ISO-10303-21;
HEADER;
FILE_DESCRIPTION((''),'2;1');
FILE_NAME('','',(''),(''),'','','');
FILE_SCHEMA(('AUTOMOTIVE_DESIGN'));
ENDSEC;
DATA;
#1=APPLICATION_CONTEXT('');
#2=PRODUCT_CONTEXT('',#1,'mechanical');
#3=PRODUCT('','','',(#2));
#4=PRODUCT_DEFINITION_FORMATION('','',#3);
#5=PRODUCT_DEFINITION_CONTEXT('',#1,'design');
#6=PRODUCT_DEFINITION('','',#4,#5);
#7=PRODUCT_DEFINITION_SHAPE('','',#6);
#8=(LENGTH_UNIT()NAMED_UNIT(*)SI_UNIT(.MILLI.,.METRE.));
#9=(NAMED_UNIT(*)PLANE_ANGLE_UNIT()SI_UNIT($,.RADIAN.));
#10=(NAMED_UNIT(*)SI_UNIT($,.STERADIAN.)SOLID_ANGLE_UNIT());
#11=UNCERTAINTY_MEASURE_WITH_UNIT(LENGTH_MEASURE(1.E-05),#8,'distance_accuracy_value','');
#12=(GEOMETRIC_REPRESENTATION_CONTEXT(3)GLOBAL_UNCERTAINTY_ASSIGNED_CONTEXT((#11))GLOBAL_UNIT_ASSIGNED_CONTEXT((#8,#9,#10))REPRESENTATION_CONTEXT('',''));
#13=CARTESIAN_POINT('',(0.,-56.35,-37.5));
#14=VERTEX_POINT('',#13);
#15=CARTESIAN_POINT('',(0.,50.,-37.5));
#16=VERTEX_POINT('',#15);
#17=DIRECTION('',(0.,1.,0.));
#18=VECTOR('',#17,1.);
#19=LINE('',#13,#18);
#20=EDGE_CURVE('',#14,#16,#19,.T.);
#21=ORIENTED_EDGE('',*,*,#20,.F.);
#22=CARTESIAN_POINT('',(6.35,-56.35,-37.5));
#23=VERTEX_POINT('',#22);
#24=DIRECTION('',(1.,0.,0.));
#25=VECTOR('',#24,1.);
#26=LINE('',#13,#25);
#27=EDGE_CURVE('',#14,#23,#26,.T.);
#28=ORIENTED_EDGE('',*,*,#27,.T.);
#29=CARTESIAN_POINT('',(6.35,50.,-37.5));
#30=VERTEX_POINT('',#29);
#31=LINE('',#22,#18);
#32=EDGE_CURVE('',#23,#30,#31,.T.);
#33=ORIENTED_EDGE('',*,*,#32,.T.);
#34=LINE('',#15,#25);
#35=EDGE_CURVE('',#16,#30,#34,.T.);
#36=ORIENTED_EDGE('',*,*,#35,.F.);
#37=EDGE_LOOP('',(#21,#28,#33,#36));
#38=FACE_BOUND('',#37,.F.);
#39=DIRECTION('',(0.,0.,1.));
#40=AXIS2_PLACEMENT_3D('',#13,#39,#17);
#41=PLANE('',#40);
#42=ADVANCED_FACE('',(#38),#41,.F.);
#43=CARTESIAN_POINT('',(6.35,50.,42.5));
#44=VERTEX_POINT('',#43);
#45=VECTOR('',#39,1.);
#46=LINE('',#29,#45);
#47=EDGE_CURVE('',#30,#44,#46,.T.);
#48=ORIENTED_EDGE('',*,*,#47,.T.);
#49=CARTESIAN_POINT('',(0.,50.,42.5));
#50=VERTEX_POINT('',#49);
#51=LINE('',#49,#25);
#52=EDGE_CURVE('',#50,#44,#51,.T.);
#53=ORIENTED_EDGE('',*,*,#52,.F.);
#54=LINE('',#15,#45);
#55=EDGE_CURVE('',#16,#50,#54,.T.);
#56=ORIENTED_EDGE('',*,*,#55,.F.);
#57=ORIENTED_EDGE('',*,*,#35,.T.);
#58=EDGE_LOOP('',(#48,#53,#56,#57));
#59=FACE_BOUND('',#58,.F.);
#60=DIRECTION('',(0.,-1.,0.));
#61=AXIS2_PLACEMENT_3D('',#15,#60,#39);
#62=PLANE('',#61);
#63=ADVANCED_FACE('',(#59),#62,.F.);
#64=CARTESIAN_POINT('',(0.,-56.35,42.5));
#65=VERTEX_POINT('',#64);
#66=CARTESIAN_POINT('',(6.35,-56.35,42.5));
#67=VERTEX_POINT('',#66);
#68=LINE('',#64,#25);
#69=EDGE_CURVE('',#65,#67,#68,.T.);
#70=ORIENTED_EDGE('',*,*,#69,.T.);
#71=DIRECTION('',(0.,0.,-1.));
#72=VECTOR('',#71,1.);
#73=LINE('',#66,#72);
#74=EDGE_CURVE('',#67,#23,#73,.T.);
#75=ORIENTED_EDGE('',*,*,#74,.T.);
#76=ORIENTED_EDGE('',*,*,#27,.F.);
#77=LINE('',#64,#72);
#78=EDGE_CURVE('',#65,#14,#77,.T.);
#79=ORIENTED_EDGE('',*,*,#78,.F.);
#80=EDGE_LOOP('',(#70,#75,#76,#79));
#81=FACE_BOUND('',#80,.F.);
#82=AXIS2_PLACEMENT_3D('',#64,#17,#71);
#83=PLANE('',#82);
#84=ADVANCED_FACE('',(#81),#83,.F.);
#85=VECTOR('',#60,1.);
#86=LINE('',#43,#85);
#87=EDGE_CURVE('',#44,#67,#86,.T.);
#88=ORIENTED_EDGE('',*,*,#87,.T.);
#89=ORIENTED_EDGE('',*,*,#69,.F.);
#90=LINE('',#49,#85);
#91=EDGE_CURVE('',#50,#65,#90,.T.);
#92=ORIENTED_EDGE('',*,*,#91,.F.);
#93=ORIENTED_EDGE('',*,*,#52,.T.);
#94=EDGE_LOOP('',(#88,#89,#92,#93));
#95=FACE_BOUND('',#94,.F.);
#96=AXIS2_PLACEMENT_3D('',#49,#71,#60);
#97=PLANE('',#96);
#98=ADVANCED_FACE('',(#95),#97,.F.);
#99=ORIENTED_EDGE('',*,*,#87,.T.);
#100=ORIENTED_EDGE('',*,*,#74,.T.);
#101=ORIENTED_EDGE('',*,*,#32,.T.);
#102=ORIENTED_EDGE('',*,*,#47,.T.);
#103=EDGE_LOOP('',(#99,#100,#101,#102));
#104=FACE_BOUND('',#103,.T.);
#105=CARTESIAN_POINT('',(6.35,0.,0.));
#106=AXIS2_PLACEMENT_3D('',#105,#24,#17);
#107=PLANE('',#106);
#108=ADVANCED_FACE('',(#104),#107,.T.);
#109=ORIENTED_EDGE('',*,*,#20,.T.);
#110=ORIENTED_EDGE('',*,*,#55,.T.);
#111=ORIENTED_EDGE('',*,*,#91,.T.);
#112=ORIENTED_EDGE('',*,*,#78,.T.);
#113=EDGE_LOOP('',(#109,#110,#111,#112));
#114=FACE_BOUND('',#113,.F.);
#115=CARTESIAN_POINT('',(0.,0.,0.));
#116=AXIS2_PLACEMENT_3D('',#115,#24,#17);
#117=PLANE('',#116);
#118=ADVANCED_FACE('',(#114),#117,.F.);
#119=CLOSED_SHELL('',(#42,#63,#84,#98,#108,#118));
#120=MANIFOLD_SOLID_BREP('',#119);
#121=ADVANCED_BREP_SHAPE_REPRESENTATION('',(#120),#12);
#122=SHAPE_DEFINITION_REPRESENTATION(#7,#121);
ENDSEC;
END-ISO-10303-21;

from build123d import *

# Parameters (mm, degrees)
F0_W     = 100
F0_H     = 75
F0_R     = 2.3876
F0_W_2   = 6.35
F1_DEPTH = 6.35


with BuildPart() as f1:
    # F0 (on Right) → F1 (new body)
    with BuildSketch(Plane.YZ):
        Rectangle(F0_W, F0_H)
        with Locations((-39.3828, -27.5)):
            Circle(F0_R, mode=Mode.SUBTRACT)
        with Locations((-53.175, 0)):
            Rectangle(F0_W_2, F0_H)
        Polygon((-50, 37.5), (50, 37.5), (50, 42.5), (-56.35, 42.5), (-56.35, 37.5), align=None)
        with Locations((-39.3828, -27.5)):
            Circle(F0_R)
    extrude(amount=F1_DEPTH)


solid = f1.part
